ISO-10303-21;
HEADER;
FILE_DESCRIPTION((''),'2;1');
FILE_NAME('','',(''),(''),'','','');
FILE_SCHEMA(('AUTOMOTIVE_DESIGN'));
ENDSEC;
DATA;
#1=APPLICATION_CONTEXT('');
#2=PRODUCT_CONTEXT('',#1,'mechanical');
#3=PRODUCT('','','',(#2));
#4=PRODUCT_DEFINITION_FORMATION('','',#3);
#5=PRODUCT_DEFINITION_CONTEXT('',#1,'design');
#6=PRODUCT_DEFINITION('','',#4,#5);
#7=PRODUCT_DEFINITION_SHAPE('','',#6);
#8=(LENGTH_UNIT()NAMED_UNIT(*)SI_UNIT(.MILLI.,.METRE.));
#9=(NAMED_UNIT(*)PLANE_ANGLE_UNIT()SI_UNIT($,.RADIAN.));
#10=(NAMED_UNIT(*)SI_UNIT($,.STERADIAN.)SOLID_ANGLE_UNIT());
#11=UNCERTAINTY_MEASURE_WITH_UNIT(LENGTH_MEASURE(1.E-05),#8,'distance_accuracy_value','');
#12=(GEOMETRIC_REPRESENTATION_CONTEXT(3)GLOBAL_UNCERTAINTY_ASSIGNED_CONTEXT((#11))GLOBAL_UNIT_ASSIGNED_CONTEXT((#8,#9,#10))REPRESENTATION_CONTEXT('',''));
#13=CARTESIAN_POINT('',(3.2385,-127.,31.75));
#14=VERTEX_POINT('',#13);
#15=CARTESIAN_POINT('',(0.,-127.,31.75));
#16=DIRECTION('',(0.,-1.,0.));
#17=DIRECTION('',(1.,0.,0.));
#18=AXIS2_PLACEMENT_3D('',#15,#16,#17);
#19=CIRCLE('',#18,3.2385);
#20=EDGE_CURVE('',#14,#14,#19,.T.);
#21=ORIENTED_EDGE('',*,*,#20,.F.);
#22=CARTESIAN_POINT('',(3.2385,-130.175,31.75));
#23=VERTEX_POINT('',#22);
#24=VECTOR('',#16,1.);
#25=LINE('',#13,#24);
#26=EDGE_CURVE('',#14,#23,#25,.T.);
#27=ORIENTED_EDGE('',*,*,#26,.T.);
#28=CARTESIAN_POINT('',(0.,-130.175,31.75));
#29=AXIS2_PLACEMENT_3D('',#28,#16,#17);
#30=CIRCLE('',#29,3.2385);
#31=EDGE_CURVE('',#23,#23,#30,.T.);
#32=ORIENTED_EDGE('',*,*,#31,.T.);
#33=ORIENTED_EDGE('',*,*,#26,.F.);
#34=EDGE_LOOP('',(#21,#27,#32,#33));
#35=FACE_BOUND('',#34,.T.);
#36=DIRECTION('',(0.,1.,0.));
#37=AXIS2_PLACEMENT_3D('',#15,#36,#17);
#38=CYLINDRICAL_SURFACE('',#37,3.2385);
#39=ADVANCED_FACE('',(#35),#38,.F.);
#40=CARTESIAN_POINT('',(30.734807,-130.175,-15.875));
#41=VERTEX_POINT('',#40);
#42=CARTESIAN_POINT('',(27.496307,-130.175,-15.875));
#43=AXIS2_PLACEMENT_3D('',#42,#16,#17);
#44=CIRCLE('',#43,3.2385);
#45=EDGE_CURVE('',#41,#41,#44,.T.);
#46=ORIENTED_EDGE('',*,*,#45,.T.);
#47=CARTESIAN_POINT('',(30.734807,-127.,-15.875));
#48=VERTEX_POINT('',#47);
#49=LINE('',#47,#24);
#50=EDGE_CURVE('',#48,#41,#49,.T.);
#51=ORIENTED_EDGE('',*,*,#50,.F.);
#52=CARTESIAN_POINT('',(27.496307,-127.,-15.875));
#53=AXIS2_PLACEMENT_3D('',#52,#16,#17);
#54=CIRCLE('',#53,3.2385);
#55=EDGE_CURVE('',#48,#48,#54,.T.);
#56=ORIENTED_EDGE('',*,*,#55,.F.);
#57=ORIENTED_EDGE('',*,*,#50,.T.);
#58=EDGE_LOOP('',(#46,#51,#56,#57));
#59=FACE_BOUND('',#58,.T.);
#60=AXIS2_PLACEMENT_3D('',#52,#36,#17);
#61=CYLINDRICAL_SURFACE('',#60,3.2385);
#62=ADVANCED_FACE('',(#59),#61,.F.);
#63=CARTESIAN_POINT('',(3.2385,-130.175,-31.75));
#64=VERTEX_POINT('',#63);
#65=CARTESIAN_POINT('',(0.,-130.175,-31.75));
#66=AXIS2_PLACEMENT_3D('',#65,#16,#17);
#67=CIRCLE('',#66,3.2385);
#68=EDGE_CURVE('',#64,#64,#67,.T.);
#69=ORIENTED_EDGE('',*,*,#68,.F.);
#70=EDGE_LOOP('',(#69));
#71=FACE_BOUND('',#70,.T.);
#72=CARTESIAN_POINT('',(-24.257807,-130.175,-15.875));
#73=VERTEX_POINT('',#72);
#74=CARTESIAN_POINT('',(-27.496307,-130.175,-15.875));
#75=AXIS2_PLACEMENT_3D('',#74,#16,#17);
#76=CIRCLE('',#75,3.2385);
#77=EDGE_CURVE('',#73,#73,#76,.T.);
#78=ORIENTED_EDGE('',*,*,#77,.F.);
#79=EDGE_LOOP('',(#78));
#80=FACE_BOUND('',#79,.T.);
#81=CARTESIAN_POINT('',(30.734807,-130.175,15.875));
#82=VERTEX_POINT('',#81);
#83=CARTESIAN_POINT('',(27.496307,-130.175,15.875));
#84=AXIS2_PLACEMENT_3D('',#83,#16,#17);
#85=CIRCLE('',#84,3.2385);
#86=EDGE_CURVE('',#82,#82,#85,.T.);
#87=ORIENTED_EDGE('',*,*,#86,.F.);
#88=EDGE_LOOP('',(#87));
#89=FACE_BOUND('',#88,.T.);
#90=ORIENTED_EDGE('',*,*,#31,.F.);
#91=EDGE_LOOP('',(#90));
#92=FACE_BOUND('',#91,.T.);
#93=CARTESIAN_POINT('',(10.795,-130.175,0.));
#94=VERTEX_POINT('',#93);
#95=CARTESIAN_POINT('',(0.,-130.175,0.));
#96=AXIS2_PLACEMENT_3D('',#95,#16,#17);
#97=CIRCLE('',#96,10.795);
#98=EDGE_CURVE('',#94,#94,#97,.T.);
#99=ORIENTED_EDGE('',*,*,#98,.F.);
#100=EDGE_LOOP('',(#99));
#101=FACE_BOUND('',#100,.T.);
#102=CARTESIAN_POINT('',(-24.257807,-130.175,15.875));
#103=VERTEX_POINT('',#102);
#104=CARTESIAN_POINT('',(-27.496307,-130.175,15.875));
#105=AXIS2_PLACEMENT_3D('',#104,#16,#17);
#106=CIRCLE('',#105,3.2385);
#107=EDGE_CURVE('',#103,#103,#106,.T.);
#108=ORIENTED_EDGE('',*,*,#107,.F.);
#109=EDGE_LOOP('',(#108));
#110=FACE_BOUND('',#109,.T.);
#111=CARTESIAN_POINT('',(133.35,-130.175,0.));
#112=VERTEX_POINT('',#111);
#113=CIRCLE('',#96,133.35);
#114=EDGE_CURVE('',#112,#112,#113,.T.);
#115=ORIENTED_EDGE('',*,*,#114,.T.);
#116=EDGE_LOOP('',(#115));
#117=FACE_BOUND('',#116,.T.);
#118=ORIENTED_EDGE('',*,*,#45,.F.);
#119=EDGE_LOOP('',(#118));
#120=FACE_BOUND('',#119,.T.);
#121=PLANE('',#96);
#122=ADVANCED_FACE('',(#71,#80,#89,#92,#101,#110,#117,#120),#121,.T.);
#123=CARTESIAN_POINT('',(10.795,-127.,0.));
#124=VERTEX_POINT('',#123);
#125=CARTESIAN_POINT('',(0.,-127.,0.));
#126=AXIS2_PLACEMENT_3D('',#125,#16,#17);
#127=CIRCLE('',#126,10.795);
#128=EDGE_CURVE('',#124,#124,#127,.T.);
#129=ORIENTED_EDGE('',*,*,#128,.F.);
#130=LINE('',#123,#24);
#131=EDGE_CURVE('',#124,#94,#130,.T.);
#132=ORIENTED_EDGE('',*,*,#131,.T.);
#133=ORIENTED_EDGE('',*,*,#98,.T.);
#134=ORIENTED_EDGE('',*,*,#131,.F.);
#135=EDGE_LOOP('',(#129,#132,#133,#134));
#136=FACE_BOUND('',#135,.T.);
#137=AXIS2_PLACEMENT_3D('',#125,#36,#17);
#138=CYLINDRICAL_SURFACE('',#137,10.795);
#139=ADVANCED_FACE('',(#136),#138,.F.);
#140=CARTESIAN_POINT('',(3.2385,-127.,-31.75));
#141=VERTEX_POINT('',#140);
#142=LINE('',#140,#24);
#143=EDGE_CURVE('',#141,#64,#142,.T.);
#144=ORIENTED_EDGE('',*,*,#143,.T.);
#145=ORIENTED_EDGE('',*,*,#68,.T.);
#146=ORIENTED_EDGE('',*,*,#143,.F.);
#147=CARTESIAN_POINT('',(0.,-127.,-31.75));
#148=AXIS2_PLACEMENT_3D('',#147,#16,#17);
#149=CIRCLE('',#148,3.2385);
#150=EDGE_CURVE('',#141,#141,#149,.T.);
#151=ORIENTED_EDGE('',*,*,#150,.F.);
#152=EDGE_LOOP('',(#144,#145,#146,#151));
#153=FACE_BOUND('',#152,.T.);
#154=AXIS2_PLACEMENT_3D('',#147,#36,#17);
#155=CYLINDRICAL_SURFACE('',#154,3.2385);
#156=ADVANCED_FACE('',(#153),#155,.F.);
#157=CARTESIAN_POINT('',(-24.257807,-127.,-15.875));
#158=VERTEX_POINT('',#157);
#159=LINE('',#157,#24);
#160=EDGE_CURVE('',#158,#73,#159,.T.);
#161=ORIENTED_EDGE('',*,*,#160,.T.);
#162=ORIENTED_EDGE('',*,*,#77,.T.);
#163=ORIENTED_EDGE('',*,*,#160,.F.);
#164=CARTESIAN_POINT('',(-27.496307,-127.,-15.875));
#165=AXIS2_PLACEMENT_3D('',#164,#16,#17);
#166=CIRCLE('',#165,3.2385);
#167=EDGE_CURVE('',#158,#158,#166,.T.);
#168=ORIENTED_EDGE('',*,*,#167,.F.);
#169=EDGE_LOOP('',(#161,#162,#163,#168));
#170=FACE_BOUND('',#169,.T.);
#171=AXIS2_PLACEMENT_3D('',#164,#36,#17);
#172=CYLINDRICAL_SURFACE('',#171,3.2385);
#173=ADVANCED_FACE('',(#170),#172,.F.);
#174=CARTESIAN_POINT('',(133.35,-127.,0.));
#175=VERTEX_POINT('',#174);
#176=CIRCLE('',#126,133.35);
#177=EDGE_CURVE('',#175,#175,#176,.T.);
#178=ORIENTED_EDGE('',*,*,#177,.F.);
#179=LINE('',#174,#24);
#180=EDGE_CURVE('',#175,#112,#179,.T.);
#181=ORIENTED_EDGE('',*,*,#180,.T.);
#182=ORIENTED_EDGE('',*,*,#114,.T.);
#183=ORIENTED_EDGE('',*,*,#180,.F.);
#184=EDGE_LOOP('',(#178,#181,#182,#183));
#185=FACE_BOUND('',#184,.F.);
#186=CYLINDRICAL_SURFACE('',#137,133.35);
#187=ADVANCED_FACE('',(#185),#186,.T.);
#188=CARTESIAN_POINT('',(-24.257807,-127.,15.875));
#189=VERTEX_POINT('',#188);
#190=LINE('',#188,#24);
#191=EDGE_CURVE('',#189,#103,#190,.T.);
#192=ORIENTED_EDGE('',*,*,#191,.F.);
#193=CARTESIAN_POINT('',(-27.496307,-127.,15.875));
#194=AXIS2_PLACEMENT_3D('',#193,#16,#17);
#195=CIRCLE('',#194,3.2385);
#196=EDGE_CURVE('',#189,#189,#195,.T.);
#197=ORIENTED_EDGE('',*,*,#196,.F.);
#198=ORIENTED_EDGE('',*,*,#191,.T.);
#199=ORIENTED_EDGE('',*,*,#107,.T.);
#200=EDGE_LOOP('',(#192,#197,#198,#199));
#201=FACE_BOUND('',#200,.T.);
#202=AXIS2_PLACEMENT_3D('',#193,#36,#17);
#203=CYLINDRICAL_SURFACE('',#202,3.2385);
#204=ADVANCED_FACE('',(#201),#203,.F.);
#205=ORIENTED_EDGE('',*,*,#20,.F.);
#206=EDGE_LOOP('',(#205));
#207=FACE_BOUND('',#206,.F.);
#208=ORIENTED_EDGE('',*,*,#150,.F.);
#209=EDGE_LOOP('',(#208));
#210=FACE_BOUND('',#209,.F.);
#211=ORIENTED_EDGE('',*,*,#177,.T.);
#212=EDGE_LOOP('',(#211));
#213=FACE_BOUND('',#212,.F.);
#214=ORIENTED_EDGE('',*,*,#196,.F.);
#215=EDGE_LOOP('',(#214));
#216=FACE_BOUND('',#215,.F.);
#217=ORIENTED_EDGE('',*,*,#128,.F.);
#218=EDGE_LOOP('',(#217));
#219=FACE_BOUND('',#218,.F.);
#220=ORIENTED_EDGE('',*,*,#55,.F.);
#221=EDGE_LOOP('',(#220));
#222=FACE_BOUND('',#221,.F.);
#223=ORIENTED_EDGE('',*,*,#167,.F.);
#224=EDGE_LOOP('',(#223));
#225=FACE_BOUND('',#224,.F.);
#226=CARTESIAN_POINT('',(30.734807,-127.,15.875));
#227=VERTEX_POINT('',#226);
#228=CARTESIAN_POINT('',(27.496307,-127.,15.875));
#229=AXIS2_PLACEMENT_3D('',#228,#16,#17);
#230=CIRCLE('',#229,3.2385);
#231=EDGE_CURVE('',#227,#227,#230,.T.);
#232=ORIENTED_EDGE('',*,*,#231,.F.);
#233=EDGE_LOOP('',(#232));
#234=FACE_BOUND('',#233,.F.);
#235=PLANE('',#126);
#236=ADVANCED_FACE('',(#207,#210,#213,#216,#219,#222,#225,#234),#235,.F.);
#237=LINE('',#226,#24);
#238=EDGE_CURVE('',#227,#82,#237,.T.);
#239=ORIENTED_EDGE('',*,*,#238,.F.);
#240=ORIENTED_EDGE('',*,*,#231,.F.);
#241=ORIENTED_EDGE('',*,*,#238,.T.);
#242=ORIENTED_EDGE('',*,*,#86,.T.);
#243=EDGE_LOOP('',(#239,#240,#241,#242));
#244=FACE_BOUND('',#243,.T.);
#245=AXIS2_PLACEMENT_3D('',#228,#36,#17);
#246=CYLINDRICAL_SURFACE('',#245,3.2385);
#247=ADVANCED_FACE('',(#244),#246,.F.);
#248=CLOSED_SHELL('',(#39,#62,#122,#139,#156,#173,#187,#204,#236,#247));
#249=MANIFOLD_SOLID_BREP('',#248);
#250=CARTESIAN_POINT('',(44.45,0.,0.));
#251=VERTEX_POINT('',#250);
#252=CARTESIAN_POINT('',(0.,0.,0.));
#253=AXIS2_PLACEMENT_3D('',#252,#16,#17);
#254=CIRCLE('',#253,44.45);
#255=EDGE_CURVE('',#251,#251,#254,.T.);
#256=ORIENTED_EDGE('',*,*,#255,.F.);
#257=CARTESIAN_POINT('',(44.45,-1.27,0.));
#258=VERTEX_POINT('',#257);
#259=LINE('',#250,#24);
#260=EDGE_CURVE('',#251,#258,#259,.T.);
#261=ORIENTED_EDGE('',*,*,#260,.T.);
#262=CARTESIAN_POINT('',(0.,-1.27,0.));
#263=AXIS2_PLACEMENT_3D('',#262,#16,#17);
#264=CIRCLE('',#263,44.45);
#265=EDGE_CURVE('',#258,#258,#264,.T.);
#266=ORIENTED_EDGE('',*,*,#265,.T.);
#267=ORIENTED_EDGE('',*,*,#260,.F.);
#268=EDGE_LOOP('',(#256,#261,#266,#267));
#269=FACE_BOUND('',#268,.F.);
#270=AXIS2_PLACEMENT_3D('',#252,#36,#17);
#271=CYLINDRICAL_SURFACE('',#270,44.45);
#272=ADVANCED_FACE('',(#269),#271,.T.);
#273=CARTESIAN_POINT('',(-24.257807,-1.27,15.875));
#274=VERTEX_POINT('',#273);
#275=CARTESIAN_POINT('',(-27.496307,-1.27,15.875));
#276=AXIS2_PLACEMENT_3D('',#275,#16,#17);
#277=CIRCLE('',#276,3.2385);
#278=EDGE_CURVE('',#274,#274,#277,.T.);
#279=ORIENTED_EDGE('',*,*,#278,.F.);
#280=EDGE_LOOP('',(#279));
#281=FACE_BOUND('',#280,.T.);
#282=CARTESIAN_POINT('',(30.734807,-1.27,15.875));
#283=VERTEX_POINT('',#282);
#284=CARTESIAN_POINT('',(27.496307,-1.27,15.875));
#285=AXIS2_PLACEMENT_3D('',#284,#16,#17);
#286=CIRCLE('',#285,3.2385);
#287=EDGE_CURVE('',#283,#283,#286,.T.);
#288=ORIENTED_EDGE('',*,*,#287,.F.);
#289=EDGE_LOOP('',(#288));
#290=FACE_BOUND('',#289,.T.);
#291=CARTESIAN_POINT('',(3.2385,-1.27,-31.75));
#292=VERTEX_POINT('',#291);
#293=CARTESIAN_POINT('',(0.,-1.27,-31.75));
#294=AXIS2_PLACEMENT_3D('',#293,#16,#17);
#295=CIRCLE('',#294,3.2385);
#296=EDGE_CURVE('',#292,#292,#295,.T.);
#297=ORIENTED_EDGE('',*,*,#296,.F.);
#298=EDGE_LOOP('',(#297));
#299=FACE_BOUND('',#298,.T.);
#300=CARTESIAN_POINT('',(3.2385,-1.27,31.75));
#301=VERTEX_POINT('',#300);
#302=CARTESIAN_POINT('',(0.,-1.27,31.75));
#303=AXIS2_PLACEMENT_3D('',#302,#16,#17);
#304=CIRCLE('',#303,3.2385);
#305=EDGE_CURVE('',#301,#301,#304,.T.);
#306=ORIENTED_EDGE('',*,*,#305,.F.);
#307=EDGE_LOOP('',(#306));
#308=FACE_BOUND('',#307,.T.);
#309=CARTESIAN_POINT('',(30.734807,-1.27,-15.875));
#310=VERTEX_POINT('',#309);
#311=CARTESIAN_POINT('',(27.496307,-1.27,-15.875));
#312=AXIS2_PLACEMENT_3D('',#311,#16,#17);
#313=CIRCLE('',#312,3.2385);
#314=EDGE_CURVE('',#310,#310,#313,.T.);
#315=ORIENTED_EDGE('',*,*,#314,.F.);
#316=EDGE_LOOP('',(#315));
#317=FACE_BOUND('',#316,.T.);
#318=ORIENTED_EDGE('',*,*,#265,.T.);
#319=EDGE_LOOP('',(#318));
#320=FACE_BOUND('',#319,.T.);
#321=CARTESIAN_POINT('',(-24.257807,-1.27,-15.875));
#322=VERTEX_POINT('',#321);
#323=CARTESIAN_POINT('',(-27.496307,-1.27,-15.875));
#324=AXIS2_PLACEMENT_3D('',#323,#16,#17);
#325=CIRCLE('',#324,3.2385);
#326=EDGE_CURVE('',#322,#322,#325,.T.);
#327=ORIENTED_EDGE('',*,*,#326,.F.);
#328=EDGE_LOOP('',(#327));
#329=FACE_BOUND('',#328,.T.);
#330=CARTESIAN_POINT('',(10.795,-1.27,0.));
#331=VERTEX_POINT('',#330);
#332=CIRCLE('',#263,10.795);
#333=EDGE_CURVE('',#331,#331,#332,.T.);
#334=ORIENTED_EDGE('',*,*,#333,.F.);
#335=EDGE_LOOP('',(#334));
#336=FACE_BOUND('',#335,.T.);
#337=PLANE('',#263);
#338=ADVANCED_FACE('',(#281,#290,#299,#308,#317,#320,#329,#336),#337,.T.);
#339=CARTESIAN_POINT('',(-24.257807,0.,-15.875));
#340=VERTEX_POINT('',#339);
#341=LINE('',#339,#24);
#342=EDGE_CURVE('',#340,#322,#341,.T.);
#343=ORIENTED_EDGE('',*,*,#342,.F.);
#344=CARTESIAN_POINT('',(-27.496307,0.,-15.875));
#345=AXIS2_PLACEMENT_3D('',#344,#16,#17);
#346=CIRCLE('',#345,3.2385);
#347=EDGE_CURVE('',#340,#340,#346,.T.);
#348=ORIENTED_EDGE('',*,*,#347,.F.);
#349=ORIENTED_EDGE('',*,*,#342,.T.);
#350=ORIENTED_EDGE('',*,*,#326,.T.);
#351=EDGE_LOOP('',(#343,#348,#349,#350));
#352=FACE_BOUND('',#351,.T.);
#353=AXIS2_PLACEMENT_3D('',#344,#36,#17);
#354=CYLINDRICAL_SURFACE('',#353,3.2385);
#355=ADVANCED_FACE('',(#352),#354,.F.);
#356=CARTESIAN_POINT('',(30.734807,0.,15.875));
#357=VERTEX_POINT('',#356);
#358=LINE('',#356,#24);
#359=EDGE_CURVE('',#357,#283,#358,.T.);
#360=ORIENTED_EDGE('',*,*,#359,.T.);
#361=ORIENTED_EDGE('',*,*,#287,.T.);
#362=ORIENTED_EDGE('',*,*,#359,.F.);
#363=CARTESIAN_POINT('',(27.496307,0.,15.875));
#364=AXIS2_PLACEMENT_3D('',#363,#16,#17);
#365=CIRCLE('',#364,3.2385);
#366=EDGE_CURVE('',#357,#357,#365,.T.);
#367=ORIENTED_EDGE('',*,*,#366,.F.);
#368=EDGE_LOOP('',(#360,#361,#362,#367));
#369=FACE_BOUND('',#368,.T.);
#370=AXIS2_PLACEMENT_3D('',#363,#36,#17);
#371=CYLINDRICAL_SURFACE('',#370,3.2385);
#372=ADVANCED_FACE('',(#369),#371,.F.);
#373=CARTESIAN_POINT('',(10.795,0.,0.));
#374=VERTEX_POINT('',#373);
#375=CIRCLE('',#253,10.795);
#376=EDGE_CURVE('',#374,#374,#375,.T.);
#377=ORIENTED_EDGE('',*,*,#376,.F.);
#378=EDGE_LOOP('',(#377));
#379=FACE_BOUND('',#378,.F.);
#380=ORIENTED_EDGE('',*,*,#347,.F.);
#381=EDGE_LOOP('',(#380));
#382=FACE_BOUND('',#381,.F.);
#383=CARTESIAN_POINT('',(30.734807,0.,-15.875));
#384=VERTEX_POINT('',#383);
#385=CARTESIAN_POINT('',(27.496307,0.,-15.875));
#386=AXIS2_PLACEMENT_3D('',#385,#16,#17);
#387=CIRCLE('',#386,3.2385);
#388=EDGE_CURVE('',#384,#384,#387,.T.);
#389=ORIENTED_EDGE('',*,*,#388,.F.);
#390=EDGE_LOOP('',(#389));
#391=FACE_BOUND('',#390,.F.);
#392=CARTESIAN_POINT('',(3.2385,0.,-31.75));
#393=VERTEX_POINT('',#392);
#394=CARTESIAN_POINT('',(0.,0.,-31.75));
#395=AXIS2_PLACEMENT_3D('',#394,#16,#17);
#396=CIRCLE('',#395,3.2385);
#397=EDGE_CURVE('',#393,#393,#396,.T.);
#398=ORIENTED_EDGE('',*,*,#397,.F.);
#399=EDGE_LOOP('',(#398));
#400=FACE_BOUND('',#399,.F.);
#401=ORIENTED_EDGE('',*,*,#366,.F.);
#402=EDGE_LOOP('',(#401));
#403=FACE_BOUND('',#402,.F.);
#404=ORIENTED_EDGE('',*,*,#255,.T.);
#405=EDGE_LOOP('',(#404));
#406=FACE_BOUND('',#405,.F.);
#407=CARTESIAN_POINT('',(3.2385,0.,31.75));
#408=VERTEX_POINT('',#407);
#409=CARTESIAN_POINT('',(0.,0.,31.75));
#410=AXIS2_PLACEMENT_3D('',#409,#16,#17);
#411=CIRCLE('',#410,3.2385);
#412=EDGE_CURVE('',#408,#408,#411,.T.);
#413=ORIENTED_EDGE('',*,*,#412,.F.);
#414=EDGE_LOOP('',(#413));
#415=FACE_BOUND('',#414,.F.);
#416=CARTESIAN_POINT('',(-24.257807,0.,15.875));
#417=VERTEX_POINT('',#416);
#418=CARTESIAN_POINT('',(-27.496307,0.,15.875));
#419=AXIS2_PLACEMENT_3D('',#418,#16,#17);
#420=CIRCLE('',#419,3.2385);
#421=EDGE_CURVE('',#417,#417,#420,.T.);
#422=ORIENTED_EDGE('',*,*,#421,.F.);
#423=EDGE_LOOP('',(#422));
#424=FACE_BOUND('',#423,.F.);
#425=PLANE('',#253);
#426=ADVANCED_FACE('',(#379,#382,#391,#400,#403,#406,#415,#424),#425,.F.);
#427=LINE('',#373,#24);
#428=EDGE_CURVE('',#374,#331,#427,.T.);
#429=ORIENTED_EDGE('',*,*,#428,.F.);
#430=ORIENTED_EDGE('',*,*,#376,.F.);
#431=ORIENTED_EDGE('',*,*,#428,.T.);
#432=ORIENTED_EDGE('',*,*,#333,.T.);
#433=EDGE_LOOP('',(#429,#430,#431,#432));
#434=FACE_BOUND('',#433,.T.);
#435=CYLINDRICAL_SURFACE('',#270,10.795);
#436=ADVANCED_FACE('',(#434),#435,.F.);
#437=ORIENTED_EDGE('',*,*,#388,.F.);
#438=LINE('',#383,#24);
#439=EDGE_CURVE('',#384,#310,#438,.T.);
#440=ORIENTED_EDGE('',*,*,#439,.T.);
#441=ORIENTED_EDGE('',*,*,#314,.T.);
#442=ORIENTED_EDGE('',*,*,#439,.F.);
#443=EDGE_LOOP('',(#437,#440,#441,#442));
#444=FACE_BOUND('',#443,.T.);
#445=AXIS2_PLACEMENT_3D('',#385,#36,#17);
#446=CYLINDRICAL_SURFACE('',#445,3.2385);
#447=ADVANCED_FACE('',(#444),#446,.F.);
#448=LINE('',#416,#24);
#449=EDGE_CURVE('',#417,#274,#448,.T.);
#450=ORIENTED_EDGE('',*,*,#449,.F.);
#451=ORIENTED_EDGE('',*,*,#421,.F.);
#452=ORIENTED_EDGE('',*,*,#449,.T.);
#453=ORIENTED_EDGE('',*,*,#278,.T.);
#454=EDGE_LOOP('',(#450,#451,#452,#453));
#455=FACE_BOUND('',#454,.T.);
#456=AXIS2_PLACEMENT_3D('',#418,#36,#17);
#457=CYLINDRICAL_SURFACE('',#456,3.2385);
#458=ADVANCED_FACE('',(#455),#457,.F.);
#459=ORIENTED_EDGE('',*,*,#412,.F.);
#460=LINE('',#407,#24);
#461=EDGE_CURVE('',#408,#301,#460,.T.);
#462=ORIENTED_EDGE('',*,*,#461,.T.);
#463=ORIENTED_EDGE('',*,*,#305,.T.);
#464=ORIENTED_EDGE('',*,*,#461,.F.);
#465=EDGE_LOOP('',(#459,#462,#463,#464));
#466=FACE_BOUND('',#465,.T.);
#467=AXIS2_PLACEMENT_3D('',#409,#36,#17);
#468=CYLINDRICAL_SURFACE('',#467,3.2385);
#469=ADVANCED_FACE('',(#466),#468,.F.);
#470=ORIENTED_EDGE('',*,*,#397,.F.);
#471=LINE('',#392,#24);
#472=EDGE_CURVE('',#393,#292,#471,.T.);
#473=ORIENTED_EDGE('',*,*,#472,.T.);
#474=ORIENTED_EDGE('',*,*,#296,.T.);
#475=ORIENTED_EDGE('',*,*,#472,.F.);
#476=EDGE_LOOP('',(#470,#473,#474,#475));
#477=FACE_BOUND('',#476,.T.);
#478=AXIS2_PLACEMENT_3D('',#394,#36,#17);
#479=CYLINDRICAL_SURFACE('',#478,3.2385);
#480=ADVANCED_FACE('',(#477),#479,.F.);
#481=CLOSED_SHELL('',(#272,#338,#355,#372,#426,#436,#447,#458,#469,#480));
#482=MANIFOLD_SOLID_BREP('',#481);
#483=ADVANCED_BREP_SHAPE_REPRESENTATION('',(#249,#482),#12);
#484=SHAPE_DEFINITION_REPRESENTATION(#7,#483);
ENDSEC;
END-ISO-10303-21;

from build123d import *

# Parameters (mm, degrees)
F0_R     = 44.45
F0_R_2   = 3.2385
F0_R_3   = 10.795
F1_DEPTH = 1.27
F3_R     = 133.35
F3_R_2   = 3.2385
F3_R_3   = 10.795
F4_DEPTH = 3.175


with BuildPart() as f1:
    # F0 (on Front) → F1 (new body)
    with BuildSketch(Plane.XZ):
        Circle(F0_R)
        with Locations((-27.496307, -15.875)):
            Circle(F0_R_2, mode=Mode.SUBTRACT)
        with Locations((0, -31.75)):
            Circle(F0_R_2, mode=Mode.SUBTRACT)
        with Locations((27.496307, -15.875)):
            Circle(F0_R_2, mode=Mode.SUBTRACT)
        with Locations((-27.496307, 15.875)):
            Circle(F0_R_2, mode=Mode.SUBTRACT)
        Circle(F0_R_3, mode=Mode.SUBTRACT)
        with Locations((27.496307, 15.875)):
            Circle(F0_R_2, mode=Mode.SUBTRACT)
        with Locations((0, 31.75)):
            Circle(F0_R_2, mode=Mode.SUBTRACT)
    extrude(amount=F1_DEPTH)


with BuildPart() as f4:
    # F3 (on offset) → F4 (new body)
    with BuildSketch(Plane.XZ.offset(127)):
        Circle(F3_R)
        with Locations((-27.496307, -15.875)):
            Circle(F3_R_2, mode=Mode.SUBTRACT)
        with Locations((0, -31.75)):
            Circle(F3_R_2, mode=Mode.SUBTRACT)
        with Locations((27.496307, -15.875)):
            Circle(F3_R_2, mode=Mode.SUBTRACT)
        with Locations((-27.496307, 15.875)):
            Circle(F3_R_2, mode=Mode.SUBTRACT)
        Circle(F3_R_3, mode=Mode.SUBTRACT)
        with Locations((27.496307, 15.875)):
            Circle(F3_R_2, mode=Mode.SUBTRACT)
        with Locations((0, 31.75)):
            Circle(F3_R_2, mode=Mode.SUBTRACT)
    extrude(amount=F4_DEPTH)


solid = Compound([f1.part, f4.part])
